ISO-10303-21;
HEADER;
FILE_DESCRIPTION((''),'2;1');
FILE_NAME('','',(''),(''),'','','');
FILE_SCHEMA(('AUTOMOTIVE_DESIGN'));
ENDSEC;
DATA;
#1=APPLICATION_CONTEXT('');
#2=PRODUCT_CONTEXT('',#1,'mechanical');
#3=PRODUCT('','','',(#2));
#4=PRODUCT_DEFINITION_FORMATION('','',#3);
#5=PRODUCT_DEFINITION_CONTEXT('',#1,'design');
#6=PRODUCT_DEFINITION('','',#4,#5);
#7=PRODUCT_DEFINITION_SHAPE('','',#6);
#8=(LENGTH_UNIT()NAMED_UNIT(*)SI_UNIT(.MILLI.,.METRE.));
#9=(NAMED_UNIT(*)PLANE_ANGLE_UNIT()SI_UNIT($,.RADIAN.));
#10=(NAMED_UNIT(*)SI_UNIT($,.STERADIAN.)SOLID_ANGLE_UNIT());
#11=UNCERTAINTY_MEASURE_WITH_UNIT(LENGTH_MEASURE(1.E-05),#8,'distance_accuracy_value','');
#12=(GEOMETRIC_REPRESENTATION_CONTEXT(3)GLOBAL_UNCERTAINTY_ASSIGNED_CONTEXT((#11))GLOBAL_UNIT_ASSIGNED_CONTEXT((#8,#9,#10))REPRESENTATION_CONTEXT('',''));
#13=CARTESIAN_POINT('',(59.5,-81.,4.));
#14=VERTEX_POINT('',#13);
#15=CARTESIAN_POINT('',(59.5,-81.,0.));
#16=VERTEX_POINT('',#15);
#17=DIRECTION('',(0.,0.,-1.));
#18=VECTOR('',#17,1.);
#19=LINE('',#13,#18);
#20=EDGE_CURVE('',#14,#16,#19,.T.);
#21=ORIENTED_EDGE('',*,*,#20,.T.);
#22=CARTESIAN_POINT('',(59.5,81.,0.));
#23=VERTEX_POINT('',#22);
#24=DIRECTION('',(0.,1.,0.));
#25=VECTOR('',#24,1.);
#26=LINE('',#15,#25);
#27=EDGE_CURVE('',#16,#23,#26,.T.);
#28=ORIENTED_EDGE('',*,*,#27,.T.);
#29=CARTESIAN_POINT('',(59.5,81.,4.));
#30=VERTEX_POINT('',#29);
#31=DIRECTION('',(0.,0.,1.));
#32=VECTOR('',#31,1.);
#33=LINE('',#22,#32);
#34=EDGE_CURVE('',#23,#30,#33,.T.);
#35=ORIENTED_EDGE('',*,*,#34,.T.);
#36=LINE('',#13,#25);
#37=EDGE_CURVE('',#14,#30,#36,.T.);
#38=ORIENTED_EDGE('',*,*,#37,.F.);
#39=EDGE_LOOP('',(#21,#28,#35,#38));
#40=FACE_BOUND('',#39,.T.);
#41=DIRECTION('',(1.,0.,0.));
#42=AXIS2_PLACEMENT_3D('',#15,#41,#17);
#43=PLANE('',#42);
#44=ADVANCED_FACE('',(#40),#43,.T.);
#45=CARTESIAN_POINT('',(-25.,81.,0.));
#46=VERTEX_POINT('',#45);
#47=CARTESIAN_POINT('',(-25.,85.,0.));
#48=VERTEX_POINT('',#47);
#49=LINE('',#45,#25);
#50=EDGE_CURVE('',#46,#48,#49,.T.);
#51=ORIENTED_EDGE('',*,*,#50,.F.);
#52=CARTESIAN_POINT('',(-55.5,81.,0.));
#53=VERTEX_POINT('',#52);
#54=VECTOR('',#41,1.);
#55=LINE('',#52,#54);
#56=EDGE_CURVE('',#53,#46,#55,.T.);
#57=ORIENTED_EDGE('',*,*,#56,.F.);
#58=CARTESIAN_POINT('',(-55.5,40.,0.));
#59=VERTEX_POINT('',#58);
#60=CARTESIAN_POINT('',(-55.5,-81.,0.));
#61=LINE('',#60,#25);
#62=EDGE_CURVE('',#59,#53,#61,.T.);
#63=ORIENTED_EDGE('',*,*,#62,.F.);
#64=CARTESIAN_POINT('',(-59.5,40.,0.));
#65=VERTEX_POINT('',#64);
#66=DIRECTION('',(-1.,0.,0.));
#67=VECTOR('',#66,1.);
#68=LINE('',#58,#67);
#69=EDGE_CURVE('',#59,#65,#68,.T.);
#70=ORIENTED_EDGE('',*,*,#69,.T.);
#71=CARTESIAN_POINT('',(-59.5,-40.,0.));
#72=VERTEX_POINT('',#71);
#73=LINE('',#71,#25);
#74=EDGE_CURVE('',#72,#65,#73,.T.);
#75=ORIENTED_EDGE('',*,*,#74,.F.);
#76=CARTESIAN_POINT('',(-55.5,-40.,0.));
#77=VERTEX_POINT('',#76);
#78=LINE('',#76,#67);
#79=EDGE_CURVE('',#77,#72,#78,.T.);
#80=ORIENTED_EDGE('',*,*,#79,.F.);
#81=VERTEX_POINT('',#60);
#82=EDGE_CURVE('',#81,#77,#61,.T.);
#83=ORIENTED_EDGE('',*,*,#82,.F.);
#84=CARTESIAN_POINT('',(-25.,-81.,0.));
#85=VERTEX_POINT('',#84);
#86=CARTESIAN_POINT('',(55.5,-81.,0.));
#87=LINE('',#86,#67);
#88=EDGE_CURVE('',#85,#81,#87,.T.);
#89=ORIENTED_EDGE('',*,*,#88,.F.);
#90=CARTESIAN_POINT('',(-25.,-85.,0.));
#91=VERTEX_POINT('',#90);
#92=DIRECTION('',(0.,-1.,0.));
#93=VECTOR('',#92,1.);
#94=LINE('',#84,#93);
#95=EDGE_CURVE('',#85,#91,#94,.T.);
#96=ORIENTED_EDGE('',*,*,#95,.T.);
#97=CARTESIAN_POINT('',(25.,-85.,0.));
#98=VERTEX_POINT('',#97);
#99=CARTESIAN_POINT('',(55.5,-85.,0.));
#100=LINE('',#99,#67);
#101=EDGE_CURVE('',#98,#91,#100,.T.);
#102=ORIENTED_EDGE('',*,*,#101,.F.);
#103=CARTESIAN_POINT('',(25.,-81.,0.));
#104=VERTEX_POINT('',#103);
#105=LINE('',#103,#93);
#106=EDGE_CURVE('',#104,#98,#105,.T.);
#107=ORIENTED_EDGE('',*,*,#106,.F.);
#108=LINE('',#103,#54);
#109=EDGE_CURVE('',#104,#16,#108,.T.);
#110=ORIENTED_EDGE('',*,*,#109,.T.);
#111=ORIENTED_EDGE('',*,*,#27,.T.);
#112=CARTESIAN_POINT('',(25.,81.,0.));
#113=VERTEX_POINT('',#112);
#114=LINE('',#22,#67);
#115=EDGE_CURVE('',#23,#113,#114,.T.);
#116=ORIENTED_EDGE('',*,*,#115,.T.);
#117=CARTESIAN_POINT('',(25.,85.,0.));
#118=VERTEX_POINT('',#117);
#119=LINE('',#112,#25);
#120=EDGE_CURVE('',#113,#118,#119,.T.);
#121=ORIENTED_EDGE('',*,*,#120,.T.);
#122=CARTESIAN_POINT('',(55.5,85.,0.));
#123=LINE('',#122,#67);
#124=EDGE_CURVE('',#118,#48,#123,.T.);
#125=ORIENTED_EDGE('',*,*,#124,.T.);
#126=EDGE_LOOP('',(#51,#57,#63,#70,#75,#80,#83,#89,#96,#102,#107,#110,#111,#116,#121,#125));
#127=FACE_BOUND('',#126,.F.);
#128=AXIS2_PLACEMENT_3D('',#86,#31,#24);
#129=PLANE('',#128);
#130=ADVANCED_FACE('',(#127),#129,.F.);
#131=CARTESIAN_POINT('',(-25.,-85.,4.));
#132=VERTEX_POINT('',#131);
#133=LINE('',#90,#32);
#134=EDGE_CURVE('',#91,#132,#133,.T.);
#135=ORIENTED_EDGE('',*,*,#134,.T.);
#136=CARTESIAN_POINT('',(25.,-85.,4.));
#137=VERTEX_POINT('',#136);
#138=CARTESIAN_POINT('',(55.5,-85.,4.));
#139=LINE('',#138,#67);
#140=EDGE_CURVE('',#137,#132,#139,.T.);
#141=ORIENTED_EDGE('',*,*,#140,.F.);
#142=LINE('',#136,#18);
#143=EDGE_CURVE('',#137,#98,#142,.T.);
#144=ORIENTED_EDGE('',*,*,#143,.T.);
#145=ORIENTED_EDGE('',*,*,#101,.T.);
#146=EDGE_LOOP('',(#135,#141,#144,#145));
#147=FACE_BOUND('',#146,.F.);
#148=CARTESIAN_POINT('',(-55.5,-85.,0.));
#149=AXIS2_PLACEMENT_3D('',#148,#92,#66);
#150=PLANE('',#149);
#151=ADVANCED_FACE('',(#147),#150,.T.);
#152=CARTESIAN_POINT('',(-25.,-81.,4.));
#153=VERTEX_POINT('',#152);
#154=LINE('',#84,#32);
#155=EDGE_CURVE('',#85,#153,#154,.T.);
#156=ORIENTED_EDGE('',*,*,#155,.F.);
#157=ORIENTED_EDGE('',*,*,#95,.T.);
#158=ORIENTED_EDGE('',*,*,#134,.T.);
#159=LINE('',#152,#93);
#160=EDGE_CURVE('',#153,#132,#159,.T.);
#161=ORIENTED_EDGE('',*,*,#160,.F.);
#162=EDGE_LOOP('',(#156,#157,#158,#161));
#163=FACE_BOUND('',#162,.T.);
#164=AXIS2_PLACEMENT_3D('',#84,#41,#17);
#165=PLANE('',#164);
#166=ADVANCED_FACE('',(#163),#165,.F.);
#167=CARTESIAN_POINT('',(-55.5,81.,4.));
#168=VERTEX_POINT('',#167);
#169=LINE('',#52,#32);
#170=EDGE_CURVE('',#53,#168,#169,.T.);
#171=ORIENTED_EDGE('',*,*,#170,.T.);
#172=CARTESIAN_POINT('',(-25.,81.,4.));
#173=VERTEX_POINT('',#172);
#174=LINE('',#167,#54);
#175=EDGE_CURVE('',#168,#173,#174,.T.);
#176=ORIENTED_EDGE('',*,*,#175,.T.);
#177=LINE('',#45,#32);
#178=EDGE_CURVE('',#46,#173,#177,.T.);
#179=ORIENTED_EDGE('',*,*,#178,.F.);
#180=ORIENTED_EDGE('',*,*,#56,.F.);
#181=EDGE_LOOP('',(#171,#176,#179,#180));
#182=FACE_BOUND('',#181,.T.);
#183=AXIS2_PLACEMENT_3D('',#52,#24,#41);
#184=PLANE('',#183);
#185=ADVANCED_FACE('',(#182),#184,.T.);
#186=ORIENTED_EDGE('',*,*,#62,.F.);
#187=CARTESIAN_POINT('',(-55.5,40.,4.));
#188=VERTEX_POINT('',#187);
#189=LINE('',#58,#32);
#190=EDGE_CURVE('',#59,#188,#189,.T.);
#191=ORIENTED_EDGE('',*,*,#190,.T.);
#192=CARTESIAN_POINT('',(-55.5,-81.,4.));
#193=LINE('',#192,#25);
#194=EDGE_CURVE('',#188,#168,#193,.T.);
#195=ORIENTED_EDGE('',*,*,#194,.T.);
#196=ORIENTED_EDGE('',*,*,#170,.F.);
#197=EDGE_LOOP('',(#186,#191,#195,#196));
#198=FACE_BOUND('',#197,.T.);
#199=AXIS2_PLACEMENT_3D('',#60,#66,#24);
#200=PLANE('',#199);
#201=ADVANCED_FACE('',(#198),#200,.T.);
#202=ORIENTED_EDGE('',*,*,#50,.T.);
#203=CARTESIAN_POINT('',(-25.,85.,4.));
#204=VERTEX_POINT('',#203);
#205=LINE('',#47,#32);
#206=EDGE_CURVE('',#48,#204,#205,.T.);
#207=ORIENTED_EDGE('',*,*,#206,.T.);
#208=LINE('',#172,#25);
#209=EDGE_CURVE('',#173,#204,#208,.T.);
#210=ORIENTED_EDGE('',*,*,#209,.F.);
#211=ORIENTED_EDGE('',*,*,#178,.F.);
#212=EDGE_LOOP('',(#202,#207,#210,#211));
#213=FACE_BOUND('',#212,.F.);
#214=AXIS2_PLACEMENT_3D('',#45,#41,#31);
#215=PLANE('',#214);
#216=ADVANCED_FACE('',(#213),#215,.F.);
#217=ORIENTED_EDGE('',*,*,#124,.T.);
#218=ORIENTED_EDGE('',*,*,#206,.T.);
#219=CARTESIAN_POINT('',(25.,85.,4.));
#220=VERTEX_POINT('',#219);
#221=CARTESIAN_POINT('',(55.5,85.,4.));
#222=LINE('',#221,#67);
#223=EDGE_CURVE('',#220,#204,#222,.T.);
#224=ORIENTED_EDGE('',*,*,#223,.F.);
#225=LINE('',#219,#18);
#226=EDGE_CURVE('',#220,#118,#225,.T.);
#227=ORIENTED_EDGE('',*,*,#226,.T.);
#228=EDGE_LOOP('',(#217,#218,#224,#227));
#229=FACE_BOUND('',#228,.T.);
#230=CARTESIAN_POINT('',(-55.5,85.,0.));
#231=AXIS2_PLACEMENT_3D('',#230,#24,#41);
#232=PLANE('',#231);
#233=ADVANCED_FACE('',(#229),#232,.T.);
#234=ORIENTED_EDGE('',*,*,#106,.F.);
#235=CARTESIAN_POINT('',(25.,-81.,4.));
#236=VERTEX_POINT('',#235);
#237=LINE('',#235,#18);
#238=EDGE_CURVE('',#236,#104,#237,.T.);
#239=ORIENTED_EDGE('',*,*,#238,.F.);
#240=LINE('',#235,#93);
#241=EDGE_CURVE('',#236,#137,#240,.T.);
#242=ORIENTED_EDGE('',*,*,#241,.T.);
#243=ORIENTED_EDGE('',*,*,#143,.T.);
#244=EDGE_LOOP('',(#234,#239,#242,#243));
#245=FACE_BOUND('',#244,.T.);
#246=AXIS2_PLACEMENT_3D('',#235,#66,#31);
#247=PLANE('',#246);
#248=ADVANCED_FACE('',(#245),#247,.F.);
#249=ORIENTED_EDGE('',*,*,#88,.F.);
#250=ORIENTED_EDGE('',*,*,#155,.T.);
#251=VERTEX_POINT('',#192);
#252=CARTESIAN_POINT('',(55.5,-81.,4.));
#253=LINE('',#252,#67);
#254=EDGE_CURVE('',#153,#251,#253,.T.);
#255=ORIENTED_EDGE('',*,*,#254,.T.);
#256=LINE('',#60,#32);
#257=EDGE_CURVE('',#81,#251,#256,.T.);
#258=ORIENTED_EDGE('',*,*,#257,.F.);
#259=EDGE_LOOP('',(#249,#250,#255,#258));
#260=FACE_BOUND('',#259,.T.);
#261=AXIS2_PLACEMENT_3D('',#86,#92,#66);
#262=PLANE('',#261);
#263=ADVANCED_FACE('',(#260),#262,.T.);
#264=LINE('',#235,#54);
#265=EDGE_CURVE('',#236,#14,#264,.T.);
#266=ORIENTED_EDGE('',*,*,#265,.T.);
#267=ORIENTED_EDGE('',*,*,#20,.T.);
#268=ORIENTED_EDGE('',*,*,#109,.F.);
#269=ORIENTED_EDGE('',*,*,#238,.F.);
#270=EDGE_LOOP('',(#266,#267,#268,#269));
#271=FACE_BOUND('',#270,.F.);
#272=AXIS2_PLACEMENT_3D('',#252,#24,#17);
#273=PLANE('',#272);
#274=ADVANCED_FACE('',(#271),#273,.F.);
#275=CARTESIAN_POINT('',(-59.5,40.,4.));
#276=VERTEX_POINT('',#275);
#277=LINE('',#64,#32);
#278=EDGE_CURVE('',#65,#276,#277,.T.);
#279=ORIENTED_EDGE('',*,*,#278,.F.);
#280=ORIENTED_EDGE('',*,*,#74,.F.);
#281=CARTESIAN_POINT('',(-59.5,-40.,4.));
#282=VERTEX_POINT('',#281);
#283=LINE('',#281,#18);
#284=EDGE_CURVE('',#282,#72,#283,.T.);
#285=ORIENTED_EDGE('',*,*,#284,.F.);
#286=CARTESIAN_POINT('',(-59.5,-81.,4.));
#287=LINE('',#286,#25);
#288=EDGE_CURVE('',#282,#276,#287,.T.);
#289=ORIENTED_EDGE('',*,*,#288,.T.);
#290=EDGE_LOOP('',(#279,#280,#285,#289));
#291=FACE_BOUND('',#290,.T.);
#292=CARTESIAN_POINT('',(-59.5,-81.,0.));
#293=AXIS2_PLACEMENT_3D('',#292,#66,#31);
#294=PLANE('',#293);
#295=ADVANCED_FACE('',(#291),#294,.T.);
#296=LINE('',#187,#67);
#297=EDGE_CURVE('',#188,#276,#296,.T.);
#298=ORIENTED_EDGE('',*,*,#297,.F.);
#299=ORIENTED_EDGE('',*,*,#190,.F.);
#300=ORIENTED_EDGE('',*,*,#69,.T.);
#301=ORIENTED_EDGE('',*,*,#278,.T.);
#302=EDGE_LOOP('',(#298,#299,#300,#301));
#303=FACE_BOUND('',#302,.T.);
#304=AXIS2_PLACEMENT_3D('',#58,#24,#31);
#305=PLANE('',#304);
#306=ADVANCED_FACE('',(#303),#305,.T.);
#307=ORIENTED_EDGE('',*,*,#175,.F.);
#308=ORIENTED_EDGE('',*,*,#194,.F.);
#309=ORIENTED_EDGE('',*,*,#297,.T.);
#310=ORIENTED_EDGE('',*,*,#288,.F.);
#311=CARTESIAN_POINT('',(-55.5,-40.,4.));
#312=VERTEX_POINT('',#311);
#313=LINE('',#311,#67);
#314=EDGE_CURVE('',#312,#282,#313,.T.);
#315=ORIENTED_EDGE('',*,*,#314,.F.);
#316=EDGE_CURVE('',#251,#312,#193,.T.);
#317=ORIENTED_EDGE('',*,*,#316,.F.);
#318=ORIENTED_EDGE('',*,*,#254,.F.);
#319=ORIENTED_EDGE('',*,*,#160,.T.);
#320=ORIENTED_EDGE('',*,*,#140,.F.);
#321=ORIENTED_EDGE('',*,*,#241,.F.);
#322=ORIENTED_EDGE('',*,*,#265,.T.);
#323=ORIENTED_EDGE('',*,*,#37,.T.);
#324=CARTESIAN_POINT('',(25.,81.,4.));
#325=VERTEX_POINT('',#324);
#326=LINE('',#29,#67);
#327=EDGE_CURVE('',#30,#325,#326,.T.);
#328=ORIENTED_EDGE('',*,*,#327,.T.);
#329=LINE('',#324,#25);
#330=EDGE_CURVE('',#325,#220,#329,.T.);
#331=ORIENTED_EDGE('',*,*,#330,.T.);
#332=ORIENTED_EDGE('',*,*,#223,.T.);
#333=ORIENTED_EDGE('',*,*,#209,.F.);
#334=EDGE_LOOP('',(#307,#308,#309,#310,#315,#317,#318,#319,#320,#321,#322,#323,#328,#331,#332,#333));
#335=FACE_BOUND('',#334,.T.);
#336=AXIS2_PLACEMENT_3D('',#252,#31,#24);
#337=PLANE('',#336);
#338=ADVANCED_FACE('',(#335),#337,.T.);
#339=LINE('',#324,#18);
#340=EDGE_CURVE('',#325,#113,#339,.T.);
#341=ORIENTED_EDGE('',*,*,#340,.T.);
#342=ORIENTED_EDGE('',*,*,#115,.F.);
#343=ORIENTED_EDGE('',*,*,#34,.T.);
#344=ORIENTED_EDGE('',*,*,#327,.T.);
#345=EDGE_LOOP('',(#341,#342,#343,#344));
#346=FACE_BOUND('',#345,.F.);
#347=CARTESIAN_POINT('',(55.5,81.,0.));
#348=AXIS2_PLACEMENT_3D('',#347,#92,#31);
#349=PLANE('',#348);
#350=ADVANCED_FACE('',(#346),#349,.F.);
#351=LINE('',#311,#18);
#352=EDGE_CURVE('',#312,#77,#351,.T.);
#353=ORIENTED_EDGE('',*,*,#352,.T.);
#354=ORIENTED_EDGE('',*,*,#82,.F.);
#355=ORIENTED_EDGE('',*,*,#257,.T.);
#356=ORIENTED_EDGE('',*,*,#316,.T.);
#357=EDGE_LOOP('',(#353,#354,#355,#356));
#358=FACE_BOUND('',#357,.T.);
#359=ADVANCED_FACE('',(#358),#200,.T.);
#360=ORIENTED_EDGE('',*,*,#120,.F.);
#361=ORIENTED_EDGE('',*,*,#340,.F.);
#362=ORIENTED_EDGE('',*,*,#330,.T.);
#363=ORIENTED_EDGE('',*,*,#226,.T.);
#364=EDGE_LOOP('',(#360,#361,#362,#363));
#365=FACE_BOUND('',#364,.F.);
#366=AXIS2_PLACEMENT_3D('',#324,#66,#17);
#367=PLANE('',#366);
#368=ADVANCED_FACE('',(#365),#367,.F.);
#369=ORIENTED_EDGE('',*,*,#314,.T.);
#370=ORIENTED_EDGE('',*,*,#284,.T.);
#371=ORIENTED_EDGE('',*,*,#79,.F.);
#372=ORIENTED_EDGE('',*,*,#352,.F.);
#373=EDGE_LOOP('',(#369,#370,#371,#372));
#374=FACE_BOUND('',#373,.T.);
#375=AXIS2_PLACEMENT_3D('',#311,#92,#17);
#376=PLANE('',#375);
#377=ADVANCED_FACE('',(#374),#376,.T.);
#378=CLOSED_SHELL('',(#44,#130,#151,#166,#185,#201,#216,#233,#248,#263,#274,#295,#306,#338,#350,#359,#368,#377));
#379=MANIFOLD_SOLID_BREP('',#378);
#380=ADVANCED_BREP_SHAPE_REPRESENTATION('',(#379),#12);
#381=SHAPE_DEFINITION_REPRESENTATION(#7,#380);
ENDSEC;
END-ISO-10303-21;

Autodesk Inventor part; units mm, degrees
ref_plane "YZ Plane" through (0, 0, 0) normal (1, 0, 0) x (0, 1, 0)
ref_plane "XZ Plane" through (0, 0, 0) normal (0, 1, 0) x (-1, 0, 0)
ref_plane "XY Plane" through (0, 0, 0) normal (0, 0, 1) x (1, 0, 0)
sketch "Sketch1" plane through (0, 0, 0) normal (0, 0, 1) x (1, 0, 0)
  line L0 (-55.5, 81) -> (55.5, 81)
  line L1 (55.5, 81) -> (55.5, -81)
  line L2 (55.5, -81) -> (-55.5, -81)
  line L3 (-55.5, -81) -> (-55.5, 81)
  point P0 (0, 0)
  point P1 (55.5, 0)
  point P2 (0, -81)
  dimension "d0" = 111
  dimension "d1" = 162
extrude "Extrusion1" add sketch "Sketch1" along normal blind 4
sketch "Sketch2" plane through (-55.5, -81, 0) normal (-1, 0, 0) x (0, 0, 1)
  line L0 (4, 0) -> (4, 162) projected
  line L1 (0, 121) -> (4, 121)
  line L2 (4, 121) -> (4, 41)
  line L3 (4, 41) -> (0, 41)
  line L4 (0, 41) -> (0, 121)
  line L5 (0, 162) -> (0, 0) projected
  point P0 (0, 81)
  point P1 (0, 81)
  dimension "d4" = 80
  dimension "d5" = 40
extrude "Extrusion2" add sketch "Sketch2" along normal blind 4
sketch "Sketch3" plane through (-55.5, 81, 0) normal (0, 1, 0) x (1, 0, 0)
  line L0 (111, -4) -> (0, -4) projected
  line L1 (111, 0) -> (0, 0) projected
  line L2 (30.5, -4) -> (80.5, -4)
  line L3 (80.5, -4) -> (80.5, 0)
  line L4 (80.5, 0) -> (30.5, 0)
  line L5 (30.5, 0) -> (30.5, -4)
  point P0 (55.5, 0)
  point P1 (80.5, -2)
  point P2 (30.5, -2)
  point P3 (55.5, 0)
  point P4 (30.5, 0)
  dimension "d8" = 50
  dimension "d9" = 25
extrude "Extrusion3" add sketch "Sketch3" along normal blind 4
mirror "Mirror1" about plane through (0, 0, 0) normal (0, 1, 0) of "Extrusion3"
sketch "Sketch4" plane through (55.5, -81, 0) normal (1, 0, 0) x (0, 0, -1)
  line L0 (-4, 0) -> (-4, 162) projected
  line L1 (0, 0) -> (0, 162) projected
  line L2 (-4, 0) -> (0, 0)
  line L3 (0, 0) -> (0, 162)
  line L4 (0, 162) -> (-4, 162)
  line L5 (-4, 162) -> (-4, 0)
  point P0 (0, 81)
extrude "Extrusion4" add sketch "Sketch4" along normal blind 4
properties part number "Tapa Superior"
